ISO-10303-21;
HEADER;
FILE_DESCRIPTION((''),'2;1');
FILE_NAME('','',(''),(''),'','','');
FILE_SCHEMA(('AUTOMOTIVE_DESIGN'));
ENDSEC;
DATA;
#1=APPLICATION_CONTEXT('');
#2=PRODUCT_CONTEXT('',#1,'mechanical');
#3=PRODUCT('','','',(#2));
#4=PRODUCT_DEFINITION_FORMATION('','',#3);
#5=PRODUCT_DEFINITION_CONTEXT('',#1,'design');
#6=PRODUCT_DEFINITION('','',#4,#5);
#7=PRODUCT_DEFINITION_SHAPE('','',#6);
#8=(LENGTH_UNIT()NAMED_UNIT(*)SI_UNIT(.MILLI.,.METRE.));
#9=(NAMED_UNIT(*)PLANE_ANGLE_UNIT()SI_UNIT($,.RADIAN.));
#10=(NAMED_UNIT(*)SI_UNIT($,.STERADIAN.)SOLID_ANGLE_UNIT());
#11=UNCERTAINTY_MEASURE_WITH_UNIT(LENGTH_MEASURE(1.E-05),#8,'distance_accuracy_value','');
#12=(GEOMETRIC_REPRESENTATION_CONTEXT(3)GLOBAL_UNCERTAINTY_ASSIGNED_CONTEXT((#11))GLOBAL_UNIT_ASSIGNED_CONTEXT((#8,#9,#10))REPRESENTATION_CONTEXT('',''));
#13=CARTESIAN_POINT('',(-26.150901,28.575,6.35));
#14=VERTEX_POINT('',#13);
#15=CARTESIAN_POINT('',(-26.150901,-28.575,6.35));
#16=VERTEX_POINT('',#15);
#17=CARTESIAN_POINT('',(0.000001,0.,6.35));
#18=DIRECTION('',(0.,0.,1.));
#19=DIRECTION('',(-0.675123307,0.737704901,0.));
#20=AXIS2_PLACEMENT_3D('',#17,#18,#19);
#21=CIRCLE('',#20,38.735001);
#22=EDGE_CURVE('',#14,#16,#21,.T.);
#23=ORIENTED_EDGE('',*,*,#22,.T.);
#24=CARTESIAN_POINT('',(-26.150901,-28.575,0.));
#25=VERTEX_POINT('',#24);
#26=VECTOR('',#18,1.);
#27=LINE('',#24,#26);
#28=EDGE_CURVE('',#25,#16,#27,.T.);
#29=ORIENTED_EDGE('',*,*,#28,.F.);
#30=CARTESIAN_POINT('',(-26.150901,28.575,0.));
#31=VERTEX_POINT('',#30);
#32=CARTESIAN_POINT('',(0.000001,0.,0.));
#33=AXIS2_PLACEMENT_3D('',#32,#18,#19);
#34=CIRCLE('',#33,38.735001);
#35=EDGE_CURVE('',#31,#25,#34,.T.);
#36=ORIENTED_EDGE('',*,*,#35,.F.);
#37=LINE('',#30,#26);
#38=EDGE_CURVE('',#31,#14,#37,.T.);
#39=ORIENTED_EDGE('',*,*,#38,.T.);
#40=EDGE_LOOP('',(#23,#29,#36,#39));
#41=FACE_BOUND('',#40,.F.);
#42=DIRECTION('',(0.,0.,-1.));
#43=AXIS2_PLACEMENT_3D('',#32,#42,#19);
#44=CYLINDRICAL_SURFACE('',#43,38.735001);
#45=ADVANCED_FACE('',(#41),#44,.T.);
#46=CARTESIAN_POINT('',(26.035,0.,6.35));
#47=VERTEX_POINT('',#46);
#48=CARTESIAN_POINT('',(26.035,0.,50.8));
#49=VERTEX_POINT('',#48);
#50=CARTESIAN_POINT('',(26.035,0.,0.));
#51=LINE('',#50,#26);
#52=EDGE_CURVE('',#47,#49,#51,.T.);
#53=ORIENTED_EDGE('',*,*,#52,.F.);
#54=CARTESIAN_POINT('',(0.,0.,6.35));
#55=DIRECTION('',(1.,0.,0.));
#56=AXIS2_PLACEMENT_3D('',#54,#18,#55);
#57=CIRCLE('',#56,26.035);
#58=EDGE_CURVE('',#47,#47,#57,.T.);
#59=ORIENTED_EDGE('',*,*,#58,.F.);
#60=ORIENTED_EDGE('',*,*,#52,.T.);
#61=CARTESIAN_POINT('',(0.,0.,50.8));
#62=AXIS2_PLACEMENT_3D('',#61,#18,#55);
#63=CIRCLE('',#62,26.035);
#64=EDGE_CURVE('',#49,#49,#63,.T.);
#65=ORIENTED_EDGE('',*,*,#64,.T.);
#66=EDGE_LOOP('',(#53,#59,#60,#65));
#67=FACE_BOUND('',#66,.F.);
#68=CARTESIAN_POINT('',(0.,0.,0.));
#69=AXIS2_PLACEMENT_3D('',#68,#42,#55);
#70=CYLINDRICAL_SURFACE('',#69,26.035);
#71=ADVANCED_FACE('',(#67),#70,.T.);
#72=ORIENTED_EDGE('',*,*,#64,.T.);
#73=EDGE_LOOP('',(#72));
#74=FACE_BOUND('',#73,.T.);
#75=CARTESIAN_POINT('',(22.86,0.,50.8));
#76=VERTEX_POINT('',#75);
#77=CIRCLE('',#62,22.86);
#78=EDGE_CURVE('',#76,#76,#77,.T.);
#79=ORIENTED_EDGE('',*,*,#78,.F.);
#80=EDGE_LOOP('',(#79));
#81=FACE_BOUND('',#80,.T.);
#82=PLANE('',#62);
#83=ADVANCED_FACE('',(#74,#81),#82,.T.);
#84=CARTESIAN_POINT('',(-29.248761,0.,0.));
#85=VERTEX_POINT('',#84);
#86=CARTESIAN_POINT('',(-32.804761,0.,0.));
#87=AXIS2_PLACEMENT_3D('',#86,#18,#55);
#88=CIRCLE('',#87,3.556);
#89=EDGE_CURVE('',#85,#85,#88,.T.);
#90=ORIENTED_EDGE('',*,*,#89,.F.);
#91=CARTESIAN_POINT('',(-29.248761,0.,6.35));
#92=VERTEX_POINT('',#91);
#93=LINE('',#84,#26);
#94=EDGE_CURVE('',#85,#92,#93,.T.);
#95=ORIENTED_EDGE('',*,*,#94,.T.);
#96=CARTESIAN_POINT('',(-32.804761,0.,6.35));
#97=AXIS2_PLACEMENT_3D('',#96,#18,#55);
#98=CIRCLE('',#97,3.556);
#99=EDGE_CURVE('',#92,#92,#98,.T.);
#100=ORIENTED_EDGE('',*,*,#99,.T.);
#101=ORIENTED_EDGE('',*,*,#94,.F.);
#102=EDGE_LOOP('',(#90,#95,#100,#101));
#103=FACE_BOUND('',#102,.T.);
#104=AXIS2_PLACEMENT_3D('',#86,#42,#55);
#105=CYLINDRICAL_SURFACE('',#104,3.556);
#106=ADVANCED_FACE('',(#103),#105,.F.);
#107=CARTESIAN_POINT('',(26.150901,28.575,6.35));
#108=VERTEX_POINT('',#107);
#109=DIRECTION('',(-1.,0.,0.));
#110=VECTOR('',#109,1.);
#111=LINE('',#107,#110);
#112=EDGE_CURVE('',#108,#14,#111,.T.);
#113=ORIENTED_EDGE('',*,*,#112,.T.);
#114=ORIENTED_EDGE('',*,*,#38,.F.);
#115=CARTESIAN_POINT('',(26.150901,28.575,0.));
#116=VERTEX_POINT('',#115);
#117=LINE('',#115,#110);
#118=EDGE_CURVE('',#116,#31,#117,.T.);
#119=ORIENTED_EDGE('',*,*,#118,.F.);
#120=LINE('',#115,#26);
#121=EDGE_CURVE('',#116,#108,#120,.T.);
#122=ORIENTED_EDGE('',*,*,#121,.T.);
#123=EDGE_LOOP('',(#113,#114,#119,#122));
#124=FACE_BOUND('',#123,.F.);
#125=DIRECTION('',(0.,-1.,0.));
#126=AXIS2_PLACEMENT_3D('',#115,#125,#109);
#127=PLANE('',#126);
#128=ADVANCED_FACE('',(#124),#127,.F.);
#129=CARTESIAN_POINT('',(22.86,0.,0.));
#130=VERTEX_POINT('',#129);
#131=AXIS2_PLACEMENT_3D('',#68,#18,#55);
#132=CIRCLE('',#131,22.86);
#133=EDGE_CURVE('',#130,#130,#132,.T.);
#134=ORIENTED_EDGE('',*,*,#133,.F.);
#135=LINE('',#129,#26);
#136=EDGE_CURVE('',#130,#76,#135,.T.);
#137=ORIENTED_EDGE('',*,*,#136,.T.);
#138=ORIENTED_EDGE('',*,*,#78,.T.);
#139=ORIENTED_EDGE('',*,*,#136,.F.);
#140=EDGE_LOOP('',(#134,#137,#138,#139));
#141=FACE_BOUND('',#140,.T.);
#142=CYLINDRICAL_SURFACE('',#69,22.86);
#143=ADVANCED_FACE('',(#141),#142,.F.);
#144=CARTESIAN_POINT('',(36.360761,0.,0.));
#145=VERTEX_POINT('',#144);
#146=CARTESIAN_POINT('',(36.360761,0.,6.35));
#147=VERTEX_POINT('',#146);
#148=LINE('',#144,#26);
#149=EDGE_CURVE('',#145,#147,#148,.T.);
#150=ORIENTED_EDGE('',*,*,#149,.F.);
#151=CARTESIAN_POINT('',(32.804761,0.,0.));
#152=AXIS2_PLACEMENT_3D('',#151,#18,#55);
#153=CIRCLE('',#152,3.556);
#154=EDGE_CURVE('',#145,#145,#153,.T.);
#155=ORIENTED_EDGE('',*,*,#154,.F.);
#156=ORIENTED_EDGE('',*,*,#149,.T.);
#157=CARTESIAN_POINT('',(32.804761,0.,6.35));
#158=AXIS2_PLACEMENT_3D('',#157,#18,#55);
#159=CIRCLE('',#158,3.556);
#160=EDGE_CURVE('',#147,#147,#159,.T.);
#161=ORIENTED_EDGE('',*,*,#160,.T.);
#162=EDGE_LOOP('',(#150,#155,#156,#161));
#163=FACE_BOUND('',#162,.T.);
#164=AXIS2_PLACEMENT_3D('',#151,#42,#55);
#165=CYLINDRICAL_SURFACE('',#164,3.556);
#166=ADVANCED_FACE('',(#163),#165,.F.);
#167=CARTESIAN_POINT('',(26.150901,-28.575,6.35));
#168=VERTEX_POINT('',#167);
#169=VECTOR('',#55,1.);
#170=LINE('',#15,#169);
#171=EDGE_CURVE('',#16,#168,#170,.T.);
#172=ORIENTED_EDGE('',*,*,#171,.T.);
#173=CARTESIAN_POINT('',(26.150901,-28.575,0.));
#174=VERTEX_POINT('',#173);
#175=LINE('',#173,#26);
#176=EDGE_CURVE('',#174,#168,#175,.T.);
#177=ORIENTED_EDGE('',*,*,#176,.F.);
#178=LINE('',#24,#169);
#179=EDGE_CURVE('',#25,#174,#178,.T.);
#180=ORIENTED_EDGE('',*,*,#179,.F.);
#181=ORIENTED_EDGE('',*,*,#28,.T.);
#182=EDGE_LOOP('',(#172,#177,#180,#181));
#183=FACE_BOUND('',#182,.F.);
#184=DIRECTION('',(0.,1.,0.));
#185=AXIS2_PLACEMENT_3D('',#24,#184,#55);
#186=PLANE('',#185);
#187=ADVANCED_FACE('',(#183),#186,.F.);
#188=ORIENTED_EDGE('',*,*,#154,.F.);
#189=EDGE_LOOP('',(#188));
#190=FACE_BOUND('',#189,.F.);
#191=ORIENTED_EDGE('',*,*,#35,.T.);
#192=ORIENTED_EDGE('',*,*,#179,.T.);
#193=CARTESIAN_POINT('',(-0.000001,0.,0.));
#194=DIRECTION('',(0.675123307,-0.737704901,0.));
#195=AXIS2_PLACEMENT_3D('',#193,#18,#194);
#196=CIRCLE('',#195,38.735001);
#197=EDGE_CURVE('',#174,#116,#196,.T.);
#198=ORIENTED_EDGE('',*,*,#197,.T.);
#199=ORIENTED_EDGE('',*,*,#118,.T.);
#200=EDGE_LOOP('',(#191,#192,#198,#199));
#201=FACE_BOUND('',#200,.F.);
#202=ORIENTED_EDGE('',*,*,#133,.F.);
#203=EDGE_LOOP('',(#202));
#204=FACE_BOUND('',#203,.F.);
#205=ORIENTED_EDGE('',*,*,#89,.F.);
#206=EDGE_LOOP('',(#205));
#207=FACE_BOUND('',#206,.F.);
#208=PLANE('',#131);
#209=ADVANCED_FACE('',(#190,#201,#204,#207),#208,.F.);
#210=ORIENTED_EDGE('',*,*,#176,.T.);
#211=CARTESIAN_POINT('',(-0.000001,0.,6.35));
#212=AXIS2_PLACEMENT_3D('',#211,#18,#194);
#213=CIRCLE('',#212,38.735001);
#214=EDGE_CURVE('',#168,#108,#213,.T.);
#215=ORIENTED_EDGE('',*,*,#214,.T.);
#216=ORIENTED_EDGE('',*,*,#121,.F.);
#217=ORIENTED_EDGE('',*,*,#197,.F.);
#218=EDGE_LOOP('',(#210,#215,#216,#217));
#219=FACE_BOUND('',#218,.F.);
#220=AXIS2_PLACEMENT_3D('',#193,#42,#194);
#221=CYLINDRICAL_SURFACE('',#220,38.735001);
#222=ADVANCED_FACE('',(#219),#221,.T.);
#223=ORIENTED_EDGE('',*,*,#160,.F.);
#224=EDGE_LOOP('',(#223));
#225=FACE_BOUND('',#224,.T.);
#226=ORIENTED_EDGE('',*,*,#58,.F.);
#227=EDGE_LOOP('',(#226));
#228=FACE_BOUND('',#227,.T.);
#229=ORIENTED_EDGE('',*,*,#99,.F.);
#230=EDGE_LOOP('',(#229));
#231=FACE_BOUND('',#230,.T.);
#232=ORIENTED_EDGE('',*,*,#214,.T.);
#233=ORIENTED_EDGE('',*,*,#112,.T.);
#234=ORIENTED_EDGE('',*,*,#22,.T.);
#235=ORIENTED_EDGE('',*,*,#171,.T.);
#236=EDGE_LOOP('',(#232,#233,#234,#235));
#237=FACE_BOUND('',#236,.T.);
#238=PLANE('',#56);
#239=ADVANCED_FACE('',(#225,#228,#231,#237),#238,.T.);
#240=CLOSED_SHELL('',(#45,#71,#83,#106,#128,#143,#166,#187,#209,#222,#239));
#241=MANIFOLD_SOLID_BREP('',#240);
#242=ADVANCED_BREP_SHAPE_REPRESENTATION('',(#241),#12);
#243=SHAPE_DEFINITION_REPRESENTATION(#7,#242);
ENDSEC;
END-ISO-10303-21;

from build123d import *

# Parameters (mm, degrees)
F0_R     = 26.035
F0_R_2   = 22.86
F1_DEPTH = 50.8
F0_R_3   = 3.556
F2_DEPTH = 6.35


with BuildPart() as f1:
    # F0 (on Top) → F1 (new body)
    with BuildSketch(Plane.XY):
        Circle(F0_R)
        Circle(F0_R_2, mode=Mode.SUBTRACT)
    extrude(amount=F1_DEPTH)

    # F0 (on Top) → F2 (join)
    with BuildSketch(Plane.XY):
        with BuildLine():
            Line((26.150901, 28.575), (-26.150901, 28.575))
            ThreePointArc((-26.150901, 28.575), (-38.735, 0), (-26.150901, -28.575))
            Line((-26.150901, -28.575), (26.150901, -28.575))
            ThreePointArc((26.150901, -28.575), (38.735, 0), (26.150901, 28.575))
        make_face()
        with Locations((-32.804761, 0)):
            Circle(F0_R_3, mode=Mode.SUBTRACT)
        Circle(F0_R, mode=Mode.SUBTRACT)
        with Locations((32.804761, 0)):
            Circle(F0_R_3, mode=Mode.SUBTRACT)
    extrude(amount=F2_DEPTH)


solid = f1.part
